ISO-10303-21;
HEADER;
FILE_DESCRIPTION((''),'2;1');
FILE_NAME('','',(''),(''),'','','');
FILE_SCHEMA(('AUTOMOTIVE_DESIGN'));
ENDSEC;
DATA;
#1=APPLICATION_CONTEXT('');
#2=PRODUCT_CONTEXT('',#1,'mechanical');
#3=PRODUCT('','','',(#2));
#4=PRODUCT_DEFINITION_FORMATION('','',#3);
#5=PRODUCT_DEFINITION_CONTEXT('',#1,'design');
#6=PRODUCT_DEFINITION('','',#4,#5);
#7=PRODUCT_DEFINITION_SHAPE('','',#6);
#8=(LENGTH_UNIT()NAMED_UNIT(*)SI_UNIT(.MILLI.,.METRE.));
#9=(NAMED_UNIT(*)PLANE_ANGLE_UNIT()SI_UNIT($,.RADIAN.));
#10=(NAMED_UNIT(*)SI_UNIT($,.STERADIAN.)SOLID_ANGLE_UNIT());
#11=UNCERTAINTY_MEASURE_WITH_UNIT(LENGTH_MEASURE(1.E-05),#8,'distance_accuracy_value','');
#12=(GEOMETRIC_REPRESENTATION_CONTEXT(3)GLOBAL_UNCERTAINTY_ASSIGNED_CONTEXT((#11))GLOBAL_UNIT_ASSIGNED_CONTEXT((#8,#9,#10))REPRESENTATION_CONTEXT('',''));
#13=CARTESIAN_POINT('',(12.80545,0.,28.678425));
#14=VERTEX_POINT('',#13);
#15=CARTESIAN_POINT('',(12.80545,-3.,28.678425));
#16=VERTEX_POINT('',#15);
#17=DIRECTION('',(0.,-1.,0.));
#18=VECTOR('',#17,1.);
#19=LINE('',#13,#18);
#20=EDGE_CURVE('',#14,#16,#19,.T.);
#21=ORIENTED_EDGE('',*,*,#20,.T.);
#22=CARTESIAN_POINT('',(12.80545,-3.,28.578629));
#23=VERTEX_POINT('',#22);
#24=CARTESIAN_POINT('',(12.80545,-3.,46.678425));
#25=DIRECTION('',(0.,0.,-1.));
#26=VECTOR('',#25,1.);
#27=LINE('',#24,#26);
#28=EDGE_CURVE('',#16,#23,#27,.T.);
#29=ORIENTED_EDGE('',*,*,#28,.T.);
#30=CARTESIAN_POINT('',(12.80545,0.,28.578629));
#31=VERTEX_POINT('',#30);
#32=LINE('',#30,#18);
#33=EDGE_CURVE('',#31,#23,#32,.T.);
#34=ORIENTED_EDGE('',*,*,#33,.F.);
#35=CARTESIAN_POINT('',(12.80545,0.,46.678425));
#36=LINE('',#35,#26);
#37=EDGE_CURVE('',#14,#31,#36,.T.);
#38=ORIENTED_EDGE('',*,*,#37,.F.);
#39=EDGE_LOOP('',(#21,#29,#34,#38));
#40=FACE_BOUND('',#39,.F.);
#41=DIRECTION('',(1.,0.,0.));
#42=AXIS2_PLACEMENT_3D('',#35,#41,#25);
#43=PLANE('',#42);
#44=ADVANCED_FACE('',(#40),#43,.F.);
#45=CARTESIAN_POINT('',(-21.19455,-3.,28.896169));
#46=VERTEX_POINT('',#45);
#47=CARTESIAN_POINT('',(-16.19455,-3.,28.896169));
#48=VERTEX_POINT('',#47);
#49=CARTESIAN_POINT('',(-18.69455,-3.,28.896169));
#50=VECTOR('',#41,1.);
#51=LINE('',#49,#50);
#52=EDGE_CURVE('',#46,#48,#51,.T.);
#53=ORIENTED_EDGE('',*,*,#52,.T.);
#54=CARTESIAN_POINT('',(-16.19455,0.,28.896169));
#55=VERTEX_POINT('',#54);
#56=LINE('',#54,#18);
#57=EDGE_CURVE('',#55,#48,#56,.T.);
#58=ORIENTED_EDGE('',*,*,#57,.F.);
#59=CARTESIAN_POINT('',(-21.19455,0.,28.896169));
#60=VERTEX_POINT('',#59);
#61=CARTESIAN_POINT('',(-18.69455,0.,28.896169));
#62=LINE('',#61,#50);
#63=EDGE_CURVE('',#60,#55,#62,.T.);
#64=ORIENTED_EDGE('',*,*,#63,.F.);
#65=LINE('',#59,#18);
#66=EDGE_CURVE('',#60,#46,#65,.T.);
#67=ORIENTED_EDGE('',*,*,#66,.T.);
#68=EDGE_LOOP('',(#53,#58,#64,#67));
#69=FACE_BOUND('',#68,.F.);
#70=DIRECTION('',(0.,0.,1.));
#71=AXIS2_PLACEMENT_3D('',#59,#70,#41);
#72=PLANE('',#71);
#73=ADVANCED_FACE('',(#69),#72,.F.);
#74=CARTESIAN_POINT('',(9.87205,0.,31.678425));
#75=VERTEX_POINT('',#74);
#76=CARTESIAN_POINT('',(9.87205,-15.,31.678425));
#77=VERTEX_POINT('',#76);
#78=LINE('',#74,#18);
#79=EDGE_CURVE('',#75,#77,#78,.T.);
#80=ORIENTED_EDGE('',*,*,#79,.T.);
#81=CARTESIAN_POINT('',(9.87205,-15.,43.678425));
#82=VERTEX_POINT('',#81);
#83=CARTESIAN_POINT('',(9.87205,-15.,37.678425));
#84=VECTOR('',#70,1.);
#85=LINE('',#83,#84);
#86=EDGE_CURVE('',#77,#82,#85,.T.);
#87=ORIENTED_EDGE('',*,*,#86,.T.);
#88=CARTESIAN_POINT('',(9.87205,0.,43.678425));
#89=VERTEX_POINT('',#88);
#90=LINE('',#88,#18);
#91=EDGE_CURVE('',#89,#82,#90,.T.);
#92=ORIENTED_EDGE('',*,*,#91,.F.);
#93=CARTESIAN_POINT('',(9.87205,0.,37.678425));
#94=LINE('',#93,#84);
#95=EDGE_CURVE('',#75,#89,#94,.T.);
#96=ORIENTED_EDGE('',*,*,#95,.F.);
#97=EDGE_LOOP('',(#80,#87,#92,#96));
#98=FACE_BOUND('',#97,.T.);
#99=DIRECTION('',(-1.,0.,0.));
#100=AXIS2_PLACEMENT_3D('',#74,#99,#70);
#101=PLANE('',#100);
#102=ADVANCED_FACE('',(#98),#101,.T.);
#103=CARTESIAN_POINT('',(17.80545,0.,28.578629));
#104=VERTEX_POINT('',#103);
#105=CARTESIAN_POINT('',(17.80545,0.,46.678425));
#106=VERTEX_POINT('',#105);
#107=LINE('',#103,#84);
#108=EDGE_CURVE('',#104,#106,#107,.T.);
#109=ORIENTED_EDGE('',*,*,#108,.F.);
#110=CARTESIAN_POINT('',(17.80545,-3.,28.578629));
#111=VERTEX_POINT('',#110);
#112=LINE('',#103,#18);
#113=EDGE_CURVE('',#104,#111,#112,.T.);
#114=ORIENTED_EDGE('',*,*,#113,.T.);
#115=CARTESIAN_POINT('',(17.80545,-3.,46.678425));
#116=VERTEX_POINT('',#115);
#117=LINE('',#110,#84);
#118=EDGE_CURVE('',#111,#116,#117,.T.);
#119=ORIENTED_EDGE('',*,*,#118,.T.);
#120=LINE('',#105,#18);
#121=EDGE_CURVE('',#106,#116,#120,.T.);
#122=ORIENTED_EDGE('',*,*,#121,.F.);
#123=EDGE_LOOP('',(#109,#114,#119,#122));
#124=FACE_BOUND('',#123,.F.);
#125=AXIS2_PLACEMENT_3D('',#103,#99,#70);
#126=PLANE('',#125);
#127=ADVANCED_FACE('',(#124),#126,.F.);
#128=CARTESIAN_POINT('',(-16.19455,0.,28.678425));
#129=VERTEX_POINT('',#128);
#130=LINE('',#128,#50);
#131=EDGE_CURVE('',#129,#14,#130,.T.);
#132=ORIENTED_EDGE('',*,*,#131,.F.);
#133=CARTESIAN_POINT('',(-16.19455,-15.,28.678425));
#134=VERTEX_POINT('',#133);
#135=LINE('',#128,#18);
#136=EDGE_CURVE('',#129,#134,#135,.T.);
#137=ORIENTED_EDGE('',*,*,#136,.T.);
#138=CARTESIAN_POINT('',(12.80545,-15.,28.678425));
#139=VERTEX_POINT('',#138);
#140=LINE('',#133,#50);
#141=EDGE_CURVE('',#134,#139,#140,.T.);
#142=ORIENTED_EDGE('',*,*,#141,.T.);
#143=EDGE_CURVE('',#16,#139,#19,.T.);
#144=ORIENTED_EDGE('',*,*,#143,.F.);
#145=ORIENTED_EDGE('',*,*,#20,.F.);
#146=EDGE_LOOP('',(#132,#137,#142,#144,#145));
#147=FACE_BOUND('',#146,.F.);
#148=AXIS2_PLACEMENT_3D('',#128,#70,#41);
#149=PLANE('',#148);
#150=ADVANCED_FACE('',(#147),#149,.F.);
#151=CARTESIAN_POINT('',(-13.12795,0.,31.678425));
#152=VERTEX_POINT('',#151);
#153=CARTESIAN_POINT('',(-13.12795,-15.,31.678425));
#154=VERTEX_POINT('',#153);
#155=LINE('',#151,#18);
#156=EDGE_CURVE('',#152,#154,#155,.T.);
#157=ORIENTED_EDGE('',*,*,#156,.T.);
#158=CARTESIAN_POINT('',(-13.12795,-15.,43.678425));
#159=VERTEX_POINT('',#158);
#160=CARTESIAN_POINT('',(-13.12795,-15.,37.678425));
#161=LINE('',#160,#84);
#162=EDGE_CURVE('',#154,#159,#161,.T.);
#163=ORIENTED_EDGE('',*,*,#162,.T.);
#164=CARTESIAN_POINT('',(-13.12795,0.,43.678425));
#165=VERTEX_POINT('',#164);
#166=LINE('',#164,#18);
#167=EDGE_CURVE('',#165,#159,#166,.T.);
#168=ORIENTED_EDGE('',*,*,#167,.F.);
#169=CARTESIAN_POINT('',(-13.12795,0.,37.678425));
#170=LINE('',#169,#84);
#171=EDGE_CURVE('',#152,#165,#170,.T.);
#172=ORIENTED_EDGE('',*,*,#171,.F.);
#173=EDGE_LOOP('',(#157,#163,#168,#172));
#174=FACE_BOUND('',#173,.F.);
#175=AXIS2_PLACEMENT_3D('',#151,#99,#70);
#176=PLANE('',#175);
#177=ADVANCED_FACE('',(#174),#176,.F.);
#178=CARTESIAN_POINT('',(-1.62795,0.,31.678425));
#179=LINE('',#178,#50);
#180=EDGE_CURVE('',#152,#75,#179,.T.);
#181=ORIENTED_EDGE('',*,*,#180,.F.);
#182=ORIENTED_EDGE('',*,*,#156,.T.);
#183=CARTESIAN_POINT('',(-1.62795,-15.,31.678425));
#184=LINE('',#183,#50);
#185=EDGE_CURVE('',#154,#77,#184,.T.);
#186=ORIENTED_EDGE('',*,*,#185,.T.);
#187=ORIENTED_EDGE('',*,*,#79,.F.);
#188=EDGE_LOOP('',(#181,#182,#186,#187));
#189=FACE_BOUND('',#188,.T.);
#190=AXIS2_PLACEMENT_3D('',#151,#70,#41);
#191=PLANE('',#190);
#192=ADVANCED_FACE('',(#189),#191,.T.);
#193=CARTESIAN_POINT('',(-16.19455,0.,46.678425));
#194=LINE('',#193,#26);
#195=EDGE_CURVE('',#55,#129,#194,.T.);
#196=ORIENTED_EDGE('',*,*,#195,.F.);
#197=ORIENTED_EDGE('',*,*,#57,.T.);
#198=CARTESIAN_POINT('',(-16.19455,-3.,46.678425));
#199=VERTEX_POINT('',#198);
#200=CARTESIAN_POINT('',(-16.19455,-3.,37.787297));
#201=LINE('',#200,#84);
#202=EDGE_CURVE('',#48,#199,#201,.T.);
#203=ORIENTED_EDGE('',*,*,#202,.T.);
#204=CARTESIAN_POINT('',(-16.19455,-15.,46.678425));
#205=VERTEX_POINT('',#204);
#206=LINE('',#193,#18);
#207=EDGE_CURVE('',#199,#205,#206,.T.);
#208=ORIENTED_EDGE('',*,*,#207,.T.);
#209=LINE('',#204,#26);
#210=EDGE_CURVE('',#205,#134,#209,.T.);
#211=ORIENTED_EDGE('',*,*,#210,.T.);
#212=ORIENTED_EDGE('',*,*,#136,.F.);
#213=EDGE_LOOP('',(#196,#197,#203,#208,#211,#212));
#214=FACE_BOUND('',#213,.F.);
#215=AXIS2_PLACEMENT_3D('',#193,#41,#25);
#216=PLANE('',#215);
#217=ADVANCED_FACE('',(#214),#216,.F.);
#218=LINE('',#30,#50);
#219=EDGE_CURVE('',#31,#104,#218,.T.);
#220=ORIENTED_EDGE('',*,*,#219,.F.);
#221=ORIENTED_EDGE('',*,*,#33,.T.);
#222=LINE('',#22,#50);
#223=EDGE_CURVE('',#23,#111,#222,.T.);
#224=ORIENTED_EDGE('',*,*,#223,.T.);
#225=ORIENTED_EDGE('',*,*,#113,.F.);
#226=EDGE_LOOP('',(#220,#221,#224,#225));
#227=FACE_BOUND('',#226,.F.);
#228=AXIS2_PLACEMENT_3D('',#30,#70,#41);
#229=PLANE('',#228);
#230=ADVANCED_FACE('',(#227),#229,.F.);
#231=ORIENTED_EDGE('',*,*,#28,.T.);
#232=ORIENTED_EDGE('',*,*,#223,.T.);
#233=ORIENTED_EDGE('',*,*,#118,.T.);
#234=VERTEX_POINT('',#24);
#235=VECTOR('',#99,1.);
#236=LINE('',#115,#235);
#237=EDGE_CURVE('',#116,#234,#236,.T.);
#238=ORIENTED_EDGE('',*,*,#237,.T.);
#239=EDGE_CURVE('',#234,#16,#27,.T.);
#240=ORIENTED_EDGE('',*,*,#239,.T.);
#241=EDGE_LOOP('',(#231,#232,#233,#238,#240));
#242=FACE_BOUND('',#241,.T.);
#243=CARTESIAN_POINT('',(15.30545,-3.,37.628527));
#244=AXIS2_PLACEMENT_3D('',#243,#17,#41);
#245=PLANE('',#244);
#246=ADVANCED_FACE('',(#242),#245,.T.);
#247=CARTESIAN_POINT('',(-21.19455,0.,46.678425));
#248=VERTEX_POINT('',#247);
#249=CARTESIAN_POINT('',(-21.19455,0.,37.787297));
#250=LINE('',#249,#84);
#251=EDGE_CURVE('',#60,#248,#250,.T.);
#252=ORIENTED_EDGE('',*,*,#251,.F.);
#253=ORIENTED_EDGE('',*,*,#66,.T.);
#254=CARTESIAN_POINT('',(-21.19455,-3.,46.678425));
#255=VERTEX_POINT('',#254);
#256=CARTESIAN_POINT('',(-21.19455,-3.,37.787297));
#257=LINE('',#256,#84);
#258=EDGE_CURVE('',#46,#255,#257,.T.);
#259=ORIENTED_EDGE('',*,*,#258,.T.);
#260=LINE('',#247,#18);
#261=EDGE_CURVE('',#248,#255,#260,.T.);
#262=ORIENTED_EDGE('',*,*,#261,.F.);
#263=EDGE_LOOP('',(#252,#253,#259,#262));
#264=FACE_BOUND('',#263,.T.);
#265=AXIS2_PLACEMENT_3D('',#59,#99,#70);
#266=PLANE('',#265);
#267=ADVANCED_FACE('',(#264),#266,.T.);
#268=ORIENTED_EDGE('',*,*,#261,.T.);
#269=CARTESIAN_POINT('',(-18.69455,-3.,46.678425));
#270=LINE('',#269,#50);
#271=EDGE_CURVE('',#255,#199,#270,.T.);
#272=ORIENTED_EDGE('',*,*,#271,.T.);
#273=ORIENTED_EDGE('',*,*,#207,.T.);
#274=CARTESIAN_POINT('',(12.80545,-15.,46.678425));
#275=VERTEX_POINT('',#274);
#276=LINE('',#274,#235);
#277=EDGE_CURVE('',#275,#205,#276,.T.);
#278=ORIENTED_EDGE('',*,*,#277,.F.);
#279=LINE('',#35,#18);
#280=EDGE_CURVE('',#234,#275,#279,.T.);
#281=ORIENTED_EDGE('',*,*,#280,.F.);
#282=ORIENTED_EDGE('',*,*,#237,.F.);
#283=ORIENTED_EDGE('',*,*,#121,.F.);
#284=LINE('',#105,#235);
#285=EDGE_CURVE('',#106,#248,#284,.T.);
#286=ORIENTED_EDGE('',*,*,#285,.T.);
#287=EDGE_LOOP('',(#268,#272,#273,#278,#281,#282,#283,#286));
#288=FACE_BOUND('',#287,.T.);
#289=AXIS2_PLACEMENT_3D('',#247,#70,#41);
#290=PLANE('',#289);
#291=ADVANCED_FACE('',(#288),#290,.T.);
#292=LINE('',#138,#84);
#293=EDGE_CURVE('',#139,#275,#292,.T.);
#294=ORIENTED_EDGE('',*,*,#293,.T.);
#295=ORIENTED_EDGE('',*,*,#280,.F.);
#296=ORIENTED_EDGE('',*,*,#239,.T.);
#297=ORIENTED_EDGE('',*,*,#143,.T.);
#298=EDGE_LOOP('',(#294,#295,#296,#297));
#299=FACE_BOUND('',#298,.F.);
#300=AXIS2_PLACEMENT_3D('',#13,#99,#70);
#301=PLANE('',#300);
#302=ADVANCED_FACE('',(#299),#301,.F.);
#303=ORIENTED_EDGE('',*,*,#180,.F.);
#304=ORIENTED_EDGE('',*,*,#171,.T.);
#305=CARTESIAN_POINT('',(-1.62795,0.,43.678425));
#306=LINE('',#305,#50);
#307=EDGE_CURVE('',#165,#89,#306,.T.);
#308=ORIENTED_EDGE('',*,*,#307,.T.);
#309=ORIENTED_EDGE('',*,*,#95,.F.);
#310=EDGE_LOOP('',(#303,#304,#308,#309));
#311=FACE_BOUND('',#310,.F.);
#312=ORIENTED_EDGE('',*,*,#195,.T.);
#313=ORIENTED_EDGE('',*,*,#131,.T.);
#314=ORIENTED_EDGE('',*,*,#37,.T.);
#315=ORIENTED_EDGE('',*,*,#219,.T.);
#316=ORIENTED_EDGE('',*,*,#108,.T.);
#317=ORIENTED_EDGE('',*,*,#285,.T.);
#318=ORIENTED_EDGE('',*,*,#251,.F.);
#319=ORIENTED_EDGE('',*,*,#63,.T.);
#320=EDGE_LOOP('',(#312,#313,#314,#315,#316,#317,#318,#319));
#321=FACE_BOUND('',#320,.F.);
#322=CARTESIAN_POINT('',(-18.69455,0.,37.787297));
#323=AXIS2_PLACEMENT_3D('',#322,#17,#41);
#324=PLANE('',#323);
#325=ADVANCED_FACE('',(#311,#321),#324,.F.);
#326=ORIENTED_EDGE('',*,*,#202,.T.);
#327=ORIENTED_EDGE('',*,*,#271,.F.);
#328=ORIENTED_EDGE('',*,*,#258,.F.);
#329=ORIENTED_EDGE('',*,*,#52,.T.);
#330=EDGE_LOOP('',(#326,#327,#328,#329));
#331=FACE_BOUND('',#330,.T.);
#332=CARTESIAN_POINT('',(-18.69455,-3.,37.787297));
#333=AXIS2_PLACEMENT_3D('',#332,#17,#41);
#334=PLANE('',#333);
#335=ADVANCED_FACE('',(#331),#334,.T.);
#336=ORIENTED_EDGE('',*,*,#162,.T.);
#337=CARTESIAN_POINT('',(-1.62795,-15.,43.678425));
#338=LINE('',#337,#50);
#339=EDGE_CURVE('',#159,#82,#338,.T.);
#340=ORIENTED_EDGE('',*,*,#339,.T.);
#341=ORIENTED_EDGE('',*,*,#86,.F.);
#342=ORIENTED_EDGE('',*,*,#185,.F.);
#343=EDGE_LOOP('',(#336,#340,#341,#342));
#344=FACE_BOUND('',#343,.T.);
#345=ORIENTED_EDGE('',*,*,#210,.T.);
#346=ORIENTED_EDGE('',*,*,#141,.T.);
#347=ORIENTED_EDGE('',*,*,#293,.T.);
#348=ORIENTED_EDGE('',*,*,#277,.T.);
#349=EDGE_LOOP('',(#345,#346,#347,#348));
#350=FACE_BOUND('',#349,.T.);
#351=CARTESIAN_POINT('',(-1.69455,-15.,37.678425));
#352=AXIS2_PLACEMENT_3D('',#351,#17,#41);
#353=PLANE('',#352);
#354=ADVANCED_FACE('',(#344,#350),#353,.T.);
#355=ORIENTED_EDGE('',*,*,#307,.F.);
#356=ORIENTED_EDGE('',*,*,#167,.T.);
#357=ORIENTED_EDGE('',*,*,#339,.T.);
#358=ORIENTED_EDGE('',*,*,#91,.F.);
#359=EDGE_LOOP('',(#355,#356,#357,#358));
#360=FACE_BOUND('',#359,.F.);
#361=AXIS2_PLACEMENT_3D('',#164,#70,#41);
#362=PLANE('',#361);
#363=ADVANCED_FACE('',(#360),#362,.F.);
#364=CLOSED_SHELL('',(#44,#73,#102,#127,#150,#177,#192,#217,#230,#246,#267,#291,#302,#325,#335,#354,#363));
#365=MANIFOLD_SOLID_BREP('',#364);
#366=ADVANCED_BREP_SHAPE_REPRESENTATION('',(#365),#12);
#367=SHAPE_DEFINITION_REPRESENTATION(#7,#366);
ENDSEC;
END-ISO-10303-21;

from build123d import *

# Parameters (mm, degrees)
F0_W     = 23
F0_H     = 12
F1_DEPTH = 15
F0_W_2   = 5
F0_H_2   = 17.782256
F2_DEPTH = 3


with BuildPart() as f1:
    # F0 (on Front) → F1 (new body)
    with BuildSketch(Plane.XZ):
        Polygon((12.80545, 46.678425), (-16.19455, 46.678425), (-16.19455, 28.896169), (-16.19455, 28.678425), (12.80545, 28.678425), align=None)
        with Locations((-1.62795, 37.678425)):
            Rectangle(F0_W, F0_H, mode=Mode.SUBTRACT)
    extrude(amount=F1_DEPTH)

    # F0 (on Front) → F2 (join)
    with BuildSketch(Plane.XZ):
        with Locations((-18.69455, 37.787297)):
            Rectangle(F0_W_2, F0_H_2)
        Polygon((17.80545, 46.678425), (12.80545, 46.678425), (12.80545, 28.678425), (12.80545, 28.578629), (17.80545, 28.578629), align=None)
    extrude(amount=F2_DEPTH)


solid = f1.part
